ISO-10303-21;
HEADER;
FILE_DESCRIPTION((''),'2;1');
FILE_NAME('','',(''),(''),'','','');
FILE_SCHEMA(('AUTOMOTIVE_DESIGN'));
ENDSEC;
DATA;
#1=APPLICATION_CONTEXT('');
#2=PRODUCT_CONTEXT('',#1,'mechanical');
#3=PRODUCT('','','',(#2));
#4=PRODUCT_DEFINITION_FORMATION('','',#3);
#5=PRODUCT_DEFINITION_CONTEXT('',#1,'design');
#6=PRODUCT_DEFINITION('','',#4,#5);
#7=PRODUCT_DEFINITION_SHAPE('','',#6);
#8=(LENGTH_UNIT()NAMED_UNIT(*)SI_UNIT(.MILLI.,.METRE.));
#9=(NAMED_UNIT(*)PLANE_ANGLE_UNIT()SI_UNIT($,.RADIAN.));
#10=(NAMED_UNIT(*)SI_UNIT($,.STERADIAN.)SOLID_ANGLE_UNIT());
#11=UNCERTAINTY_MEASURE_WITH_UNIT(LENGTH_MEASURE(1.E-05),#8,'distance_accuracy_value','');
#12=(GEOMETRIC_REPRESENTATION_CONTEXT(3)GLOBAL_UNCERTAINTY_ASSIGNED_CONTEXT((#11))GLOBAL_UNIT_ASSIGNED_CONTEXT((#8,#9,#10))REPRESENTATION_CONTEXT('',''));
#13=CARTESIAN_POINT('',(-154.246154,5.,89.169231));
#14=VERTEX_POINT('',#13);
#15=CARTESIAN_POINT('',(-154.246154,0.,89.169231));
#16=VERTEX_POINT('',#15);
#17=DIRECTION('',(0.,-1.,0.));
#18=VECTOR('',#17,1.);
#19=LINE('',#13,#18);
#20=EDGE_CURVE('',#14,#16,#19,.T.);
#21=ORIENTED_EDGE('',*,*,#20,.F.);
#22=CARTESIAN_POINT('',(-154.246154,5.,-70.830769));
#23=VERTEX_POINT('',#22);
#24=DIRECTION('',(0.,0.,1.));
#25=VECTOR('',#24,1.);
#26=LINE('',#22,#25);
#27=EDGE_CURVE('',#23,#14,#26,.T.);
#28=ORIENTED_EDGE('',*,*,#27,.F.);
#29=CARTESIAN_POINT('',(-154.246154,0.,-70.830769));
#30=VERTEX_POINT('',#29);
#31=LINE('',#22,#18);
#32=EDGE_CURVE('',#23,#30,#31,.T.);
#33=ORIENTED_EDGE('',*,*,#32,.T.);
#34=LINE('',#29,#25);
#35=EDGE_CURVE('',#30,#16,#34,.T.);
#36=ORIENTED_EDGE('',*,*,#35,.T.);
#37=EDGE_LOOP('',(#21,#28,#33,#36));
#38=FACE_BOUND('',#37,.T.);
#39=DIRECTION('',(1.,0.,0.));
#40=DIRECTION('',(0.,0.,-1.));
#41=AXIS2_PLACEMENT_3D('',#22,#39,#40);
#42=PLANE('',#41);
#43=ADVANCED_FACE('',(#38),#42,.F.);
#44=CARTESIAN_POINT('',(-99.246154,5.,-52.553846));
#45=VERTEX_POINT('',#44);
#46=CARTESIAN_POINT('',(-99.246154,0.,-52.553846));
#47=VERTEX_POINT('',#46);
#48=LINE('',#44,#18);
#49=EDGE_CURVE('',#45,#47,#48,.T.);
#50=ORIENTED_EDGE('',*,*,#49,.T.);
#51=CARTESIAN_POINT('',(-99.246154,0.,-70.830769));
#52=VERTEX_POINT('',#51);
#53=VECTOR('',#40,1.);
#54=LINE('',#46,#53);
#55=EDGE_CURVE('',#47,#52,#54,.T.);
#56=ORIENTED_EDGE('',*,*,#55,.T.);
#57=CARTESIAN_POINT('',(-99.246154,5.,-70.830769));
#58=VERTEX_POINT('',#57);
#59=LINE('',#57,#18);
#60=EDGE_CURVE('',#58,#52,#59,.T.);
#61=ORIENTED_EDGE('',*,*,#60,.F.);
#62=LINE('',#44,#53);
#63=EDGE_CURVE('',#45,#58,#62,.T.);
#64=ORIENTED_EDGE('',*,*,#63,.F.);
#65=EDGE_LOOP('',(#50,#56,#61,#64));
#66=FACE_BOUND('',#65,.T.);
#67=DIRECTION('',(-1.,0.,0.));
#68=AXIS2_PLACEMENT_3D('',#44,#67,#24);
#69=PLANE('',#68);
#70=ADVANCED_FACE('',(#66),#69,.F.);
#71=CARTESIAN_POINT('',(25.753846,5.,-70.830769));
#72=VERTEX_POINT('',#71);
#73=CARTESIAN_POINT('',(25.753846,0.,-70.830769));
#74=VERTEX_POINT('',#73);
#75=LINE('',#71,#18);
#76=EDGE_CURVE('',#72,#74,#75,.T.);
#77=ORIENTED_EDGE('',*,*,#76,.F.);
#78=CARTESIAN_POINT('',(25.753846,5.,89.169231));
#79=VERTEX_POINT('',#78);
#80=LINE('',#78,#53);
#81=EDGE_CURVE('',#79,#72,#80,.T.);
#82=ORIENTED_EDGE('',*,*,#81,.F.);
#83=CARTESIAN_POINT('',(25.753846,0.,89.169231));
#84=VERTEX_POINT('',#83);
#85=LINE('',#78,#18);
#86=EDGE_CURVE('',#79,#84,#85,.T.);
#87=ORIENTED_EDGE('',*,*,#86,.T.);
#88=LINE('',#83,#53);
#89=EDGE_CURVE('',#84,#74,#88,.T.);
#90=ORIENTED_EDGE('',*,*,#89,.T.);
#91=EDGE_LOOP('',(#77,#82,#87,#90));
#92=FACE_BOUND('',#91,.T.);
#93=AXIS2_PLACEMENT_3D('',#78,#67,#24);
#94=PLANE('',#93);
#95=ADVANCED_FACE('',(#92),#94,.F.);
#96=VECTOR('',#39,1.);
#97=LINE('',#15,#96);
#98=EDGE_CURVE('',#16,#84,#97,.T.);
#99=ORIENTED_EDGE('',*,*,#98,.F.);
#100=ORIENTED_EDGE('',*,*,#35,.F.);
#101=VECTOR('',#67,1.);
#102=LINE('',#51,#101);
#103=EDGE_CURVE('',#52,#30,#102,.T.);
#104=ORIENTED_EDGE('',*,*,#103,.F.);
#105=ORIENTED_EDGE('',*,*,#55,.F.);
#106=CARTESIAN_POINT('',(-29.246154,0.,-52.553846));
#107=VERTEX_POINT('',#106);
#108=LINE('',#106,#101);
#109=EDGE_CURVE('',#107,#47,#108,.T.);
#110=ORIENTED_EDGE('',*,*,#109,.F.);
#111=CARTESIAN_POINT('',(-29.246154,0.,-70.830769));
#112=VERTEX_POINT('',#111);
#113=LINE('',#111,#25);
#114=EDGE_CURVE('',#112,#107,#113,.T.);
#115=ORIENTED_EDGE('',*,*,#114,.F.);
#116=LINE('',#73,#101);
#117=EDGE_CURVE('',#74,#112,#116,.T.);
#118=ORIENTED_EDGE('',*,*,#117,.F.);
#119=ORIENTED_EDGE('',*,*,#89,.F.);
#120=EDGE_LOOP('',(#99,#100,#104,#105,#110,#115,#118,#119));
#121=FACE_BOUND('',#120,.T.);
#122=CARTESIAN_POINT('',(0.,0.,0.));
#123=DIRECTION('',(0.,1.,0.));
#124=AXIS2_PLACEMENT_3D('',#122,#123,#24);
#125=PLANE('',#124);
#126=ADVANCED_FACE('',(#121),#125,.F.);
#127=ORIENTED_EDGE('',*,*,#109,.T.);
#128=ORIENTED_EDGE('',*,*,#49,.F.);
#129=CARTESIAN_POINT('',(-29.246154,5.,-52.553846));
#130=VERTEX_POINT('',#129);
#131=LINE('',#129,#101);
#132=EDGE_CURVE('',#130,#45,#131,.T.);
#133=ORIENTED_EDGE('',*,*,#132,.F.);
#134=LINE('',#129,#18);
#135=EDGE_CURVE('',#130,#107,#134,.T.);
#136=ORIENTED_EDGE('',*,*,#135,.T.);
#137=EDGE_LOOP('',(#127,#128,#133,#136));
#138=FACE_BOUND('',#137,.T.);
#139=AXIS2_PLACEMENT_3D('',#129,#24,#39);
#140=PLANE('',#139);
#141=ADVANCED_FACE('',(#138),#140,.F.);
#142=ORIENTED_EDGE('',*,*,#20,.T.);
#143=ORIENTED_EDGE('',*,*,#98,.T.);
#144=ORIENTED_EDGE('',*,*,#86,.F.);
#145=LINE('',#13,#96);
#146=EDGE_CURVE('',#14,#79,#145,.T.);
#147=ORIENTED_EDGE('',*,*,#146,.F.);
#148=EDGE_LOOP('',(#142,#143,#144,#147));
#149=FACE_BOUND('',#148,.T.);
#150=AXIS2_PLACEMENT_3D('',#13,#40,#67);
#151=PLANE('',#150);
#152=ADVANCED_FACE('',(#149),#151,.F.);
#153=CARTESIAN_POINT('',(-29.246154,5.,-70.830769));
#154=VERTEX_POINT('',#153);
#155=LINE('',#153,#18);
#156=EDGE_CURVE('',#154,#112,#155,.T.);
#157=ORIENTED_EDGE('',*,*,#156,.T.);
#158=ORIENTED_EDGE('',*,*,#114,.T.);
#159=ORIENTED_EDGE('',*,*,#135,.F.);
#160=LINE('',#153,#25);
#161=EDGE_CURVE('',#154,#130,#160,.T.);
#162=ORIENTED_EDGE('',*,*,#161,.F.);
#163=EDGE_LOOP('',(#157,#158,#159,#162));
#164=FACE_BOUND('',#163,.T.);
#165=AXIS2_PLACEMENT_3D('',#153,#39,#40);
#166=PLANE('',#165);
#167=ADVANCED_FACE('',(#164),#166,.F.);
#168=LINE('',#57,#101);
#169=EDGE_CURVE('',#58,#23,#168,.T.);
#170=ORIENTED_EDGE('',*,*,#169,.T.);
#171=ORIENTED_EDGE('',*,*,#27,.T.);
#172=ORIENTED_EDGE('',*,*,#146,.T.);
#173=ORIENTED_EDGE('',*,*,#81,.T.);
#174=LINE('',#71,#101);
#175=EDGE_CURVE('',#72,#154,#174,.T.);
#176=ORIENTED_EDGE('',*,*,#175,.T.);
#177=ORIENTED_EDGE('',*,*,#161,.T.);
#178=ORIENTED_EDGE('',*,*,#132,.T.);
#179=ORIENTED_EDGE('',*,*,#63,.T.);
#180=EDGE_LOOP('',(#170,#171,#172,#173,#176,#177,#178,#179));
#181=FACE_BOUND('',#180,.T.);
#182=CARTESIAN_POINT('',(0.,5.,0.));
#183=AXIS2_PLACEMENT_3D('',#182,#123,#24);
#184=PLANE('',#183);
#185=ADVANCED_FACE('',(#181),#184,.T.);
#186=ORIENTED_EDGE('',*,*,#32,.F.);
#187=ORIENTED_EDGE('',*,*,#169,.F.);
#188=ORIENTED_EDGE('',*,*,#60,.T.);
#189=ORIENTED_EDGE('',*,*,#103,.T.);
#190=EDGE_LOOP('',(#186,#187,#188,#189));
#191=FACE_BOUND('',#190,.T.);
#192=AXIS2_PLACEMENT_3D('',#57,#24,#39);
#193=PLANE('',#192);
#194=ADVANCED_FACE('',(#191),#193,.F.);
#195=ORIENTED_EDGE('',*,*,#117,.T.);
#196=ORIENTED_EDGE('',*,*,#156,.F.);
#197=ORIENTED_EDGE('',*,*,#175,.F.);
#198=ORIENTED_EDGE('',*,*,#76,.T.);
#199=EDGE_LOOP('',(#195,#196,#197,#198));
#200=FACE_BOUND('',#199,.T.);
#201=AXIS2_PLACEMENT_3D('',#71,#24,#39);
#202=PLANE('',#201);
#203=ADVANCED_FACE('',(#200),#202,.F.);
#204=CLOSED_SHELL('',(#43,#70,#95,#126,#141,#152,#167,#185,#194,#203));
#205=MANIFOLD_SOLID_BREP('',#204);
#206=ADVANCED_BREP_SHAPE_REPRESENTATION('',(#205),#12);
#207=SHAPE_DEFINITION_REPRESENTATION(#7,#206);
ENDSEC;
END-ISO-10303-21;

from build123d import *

# Parameters (mm, degrees)
BOSS_EXTRUDE1_DEPTH = 5


with BuildPart() as part:
    # Sketch1 → Boss-Extrude1 (new body)
    with BuildSketch(Plane(origin=(0, 0, 0), x_dir=(1, 0, 0), z_dir=(0, 1, 0))):
        Polygon((-154.246153846, 70.830769231), (-154.246153846, -89.169230769), (25.753846154, -89.169230769), (25.753846154, 70.830769231), (-29.246153846, 70.830769231), (-29.246153846, 52.553846154), (-99.246153846, 52.553846154), (-99.246153846, 70.830769231), align=None)
    extrude(amount=BOSS_EXTRUDE1_DEPTH)


solid = part.part
